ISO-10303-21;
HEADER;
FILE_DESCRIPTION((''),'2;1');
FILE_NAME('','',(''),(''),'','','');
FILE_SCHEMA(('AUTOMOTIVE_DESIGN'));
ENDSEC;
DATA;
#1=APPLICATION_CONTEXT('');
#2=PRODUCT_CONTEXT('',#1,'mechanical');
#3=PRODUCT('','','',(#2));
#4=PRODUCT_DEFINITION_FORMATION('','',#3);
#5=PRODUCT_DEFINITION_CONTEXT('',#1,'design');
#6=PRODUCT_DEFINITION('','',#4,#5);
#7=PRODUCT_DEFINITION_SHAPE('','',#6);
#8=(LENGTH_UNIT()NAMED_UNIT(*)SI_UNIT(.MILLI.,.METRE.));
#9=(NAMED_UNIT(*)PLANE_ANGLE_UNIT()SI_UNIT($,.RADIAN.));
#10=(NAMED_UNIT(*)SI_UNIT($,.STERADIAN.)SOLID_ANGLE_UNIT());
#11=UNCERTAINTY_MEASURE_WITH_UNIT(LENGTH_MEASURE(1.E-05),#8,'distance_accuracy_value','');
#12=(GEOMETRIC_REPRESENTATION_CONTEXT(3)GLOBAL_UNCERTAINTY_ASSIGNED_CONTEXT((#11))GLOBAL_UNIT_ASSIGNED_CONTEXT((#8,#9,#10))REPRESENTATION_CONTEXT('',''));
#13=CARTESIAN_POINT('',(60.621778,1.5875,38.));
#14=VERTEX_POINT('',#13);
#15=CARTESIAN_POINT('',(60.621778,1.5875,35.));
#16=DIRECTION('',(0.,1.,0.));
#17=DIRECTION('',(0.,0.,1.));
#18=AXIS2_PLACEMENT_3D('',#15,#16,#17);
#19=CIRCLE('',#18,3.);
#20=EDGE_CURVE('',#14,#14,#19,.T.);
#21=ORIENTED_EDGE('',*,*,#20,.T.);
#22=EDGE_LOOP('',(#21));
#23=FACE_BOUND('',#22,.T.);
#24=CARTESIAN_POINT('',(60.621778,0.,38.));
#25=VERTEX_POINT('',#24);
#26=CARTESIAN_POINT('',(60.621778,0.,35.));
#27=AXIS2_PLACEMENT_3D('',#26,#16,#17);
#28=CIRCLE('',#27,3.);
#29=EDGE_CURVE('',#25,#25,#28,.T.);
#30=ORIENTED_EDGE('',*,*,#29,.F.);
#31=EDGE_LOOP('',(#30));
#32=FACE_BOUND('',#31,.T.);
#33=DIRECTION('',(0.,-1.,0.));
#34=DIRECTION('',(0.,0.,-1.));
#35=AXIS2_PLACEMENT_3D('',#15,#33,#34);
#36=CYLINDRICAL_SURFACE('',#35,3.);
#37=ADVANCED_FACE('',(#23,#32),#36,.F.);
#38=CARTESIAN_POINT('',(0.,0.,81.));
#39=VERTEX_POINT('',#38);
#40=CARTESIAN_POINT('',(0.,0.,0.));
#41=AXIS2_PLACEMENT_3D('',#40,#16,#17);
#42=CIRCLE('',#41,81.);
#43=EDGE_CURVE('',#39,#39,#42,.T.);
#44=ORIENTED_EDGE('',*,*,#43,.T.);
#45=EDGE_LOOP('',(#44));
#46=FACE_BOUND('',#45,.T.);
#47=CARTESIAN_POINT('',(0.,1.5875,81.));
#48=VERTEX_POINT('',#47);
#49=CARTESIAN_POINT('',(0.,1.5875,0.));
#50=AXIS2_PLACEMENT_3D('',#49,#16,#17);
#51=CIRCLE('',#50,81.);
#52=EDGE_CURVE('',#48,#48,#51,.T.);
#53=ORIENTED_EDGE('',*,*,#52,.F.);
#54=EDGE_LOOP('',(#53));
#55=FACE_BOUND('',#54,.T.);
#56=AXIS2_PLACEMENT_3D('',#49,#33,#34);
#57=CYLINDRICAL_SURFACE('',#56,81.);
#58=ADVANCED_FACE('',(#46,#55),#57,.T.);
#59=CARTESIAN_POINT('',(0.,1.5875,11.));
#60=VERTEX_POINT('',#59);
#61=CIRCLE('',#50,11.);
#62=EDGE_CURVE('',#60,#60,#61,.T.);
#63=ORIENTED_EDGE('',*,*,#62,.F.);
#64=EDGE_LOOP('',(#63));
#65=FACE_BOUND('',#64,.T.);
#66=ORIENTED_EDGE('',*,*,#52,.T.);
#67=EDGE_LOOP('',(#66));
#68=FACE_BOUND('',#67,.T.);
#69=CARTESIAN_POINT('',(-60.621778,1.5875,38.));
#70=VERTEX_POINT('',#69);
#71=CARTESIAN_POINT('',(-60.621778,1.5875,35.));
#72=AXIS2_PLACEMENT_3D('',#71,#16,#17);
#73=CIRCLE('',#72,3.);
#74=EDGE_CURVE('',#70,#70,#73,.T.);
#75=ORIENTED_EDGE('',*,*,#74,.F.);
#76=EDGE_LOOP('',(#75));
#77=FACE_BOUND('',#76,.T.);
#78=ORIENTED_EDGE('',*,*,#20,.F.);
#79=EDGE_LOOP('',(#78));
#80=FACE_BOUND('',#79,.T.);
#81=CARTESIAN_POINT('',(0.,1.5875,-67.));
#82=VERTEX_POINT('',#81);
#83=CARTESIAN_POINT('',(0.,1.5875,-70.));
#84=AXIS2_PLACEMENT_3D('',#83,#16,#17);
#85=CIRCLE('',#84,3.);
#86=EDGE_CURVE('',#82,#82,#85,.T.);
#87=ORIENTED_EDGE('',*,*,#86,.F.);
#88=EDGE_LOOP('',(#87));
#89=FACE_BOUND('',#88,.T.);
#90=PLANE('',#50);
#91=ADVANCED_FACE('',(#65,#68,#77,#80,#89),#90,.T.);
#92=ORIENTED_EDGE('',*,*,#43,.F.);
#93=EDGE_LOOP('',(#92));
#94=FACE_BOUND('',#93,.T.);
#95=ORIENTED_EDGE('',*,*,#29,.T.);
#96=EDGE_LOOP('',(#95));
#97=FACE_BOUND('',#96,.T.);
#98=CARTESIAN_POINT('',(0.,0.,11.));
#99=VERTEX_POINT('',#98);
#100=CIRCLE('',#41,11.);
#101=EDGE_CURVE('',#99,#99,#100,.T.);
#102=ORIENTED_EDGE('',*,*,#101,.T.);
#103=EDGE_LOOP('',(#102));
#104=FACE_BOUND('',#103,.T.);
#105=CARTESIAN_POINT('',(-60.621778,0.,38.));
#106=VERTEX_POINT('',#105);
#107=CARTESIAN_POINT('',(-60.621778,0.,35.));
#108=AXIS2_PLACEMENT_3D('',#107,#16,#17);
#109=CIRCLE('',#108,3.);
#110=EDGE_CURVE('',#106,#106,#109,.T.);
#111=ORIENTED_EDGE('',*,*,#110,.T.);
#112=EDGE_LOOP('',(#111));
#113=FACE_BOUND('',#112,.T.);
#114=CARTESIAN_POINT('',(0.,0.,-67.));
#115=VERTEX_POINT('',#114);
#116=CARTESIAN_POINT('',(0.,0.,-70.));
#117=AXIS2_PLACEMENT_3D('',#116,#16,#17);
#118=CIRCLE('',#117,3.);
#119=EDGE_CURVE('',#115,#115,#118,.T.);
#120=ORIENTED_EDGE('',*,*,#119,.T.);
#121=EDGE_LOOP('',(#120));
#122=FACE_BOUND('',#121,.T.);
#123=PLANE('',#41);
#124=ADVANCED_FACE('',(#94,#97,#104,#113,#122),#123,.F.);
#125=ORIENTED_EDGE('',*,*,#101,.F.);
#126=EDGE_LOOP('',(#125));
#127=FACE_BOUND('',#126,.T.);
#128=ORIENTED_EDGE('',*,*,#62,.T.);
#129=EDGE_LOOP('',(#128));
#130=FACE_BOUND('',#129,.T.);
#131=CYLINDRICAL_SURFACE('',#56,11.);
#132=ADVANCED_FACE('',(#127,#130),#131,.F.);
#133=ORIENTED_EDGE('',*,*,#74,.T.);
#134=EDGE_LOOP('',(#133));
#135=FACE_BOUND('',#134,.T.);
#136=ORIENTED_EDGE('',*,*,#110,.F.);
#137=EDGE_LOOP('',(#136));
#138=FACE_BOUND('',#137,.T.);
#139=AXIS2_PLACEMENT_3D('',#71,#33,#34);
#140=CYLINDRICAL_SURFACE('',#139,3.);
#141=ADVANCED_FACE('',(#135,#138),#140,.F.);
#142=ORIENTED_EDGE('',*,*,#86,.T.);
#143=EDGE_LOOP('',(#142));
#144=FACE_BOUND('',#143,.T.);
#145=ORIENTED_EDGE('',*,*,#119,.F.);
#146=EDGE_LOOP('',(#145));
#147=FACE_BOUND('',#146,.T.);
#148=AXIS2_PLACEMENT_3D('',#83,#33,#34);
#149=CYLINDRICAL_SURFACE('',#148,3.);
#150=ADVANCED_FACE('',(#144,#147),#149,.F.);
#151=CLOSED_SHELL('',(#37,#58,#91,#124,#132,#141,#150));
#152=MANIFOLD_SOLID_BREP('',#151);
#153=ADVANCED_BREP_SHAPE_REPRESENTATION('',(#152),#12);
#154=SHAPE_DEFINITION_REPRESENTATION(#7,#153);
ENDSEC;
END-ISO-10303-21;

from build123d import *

# Parameters (mm, degrees)
SKETCH1_R           = 81
SKETCH1_R_2         = 11
SKETCH1_R_3         = 3
BOSS_EXTRUDE1_DEPTH = 1.5875


with BuildPart() as part:
    # Sketch1 → Boss-Extrude1 (new body)
    with BuildSketch(Plane(origin=(0, 0, 0), x_dir=(1, 0, 0), z_dir=(0, 1, 0))):
        Circle(SKETCH1_R)
        Circle(SKETCH1_R_2, mode=Mode.SUBTRACT)
        with Locations((0, 70)):
            Circle(SKETCH1_R_3, mode=Mode.SUBTRACT)
        with Locations((60.621778265, -35)):
            Circle(SKETCH1_R_3, mode=Mode.SUBTRACT)
        with Locations((-60.621778265, -35)):
            Circle(SKETCH1_R_3, mode=Mode.SUBTRACT)
    extrude(amount=BOSS_EXTRUDE1_DEPTH)


solid = part.part
